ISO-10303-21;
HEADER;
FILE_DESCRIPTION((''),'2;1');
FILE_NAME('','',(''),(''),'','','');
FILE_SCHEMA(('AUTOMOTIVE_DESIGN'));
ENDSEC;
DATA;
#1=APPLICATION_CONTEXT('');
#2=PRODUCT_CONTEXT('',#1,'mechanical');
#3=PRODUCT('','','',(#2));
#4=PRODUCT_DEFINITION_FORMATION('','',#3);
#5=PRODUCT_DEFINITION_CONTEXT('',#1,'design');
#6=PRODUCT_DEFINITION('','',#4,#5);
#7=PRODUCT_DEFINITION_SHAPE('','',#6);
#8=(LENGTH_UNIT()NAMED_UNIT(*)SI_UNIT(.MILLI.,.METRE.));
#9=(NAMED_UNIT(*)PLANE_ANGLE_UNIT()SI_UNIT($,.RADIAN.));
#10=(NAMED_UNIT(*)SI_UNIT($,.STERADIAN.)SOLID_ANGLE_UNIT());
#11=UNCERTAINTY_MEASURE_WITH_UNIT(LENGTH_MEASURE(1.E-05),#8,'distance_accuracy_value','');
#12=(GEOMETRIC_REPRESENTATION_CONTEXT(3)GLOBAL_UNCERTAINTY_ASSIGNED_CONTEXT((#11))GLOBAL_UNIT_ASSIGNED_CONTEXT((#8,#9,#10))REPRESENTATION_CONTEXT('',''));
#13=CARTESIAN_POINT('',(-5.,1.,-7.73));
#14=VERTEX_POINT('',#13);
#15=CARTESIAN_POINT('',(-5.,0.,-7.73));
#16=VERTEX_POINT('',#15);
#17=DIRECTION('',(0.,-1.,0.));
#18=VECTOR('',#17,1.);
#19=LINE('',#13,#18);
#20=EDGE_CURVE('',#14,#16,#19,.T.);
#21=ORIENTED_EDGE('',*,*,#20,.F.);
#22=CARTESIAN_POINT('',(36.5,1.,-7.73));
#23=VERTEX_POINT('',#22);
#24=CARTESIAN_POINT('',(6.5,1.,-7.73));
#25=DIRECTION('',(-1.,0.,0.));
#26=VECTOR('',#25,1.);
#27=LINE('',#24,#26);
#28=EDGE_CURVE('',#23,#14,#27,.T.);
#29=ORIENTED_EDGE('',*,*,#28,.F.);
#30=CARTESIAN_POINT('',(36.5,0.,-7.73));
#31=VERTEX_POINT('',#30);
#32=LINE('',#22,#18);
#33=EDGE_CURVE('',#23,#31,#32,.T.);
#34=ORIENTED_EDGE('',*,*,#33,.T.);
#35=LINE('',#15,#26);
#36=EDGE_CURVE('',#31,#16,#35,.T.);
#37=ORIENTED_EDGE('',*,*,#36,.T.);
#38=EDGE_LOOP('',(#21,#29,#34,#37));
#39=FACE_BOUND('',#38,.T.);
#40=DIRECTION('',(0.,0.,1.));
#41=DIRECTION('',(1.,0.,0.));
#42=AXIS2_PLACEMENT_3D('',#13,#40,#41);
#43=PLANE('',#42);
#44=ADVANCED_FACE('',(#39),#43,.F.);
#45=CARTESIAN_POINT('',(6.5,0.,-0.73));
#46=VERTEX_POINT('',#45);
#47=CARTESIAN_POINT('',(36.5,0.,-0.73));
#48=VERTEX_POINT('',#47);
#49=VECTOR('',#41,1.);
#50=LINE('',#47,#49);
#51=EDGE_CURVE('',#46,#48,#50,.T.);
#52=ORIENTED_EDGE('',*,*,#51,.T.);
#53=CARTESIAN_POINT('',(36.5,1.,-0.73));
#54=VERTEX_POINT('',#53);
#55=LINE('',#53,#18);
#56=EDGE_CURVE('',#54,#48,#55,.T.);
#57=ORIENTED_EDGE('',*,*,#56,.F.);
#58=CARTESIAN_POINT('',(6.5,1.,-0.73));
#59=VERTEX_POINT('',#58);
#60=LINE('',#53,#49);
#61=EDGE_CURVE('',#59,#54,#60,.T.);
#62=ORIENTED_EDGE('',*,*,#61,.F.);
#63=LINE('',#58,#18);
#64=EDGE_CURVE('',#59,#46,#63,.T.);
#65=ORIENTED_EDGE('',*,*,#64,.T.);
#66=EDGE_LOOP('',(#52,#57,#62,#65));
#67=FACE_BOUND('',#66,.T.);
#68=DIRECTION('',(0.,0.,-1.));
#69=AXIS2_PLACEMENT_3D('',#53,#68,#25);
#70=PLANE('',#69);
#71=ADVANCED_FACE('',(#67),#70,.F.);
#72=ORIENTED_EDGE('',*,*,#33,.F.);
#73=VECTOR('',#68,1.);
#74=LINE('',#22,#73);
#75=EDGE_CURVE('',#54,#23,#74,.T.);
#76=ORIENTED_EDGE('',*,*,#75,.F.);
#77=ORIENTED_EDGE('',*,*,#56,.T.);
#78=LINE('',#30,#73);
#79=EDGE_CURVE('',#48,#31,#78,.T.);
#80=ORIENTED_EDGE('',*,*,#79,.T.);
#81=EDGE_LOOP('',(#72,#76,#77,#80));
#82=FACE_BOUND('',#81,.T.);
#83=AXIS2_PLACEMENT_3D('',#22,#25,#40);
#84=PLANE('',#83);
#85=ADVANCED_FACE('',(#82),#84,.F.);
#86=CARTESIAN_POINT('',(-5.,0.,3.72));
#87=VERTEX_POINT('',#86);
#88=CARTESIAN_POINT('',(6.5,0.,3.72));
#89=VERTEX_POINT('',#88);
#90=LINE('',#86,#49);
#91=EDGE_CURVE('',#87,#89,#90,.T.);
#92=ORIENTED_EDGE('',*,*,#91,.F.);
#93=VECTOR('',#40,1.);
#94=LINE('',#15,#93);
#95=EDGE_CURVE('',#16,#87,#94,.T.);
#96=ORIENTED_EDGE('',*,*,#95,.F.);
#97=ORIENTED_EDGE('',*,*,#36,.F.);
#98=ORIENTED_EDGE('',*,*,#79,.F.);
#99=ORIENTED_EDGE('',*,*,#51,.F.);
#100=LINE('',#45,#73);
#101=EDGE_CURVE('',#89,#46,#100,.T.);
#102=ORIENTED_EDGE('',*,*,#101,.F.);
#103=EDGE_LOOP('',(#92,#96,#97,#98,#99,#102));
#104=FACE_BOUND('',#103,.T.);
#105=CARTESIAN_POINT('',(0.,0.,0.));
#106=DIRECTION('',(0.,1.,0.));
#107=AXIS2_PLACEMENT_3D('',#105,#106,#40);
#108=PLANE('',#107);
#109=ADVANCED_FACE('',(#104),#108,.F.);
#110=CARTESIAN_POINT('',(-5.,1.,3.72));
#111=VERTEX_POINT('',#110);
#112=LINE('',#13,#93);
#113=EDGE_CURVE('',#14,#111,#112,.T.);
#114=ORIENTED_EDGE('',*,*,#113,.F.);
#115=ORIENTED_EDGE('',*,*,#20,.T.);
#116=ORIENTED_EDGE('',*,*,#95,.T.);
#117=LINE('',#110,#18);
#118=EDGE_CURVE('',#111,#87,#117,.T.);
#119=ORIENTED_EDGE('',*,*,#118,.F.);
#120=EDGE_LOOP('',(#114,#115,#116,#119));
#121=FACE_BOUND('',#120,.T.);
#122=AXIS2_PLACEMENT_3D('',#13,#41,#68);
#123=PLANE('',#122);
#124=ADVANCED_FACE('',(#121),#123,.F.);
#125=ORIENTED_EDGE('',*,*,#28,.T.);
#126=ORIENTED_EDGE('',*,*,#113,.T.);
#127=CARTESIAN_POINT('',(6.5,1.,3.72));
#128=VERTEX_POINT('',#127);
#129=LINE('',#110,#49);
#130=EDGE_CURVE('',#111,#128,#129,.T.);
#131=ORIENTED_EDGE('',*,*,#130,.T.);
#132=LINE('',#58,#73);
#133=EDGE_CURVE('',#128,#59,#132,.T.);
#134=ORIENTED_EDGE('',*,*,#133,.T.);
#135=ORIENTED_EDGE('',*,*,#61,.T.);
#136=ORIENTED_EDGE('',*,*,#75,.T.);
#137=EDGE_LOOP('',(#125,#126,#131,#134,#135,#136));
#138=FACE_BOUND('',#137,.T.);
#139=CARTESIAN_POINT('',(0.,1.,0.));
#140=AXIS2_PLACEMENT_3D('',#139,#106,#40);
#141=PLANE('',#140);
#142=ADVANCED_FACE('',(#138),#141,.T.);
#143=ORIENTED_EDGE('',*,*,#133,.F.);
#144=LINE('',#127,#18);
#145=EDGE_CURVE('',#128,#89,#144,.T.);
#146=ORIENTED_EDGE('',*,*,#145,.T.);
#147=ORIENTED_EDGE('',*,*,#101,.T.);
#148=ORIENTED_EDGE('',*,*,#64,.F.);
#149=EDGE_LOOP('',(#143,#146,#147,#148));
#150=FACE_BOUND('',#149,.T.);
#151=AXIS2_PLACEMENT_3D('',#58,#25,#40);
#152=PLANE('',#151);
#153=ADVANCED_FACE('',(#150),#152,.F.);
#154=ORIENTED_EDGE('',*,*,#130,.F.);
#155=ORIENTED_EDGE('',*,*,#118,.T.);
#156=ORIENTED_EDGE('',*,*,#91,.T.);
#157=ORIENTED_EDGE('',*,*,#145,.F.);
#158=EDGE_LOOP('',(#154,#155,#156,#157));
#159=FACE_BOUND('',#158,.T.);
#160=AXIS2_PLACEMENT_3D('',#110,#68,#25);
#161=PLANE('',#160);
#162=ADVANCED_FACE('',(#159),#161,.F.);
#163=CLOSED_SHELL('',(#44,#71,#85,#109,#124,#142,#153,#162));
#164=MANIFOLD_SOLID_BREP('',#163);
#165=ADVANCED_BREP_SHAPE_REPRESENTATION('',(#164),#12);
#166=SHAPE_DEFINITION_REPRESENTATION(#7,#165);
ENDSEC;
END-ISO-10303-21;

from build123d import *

# Parameters (mm, degrees)
EXTRUDE_1_DEPTH = 1


with BuildPart() as part:
    # Эскиз1 → Бобышка-Вытянуть1 (new body)
    with BuildSketch(Plane(origin=(0, 0, 0), x_dir=(1, 0, 0), z_dir=(0, 1, 0))):
        Polygon((6.5, 7.73), (36.5, 7.73), (36.5, 0.73), (6.5, 0.73), (6.5, -3.72), (-5, -3.72), (-5, 7.73), align=None)
    extrude(amount=EXTRUDE_1_DEPTH)


solid = part.part
